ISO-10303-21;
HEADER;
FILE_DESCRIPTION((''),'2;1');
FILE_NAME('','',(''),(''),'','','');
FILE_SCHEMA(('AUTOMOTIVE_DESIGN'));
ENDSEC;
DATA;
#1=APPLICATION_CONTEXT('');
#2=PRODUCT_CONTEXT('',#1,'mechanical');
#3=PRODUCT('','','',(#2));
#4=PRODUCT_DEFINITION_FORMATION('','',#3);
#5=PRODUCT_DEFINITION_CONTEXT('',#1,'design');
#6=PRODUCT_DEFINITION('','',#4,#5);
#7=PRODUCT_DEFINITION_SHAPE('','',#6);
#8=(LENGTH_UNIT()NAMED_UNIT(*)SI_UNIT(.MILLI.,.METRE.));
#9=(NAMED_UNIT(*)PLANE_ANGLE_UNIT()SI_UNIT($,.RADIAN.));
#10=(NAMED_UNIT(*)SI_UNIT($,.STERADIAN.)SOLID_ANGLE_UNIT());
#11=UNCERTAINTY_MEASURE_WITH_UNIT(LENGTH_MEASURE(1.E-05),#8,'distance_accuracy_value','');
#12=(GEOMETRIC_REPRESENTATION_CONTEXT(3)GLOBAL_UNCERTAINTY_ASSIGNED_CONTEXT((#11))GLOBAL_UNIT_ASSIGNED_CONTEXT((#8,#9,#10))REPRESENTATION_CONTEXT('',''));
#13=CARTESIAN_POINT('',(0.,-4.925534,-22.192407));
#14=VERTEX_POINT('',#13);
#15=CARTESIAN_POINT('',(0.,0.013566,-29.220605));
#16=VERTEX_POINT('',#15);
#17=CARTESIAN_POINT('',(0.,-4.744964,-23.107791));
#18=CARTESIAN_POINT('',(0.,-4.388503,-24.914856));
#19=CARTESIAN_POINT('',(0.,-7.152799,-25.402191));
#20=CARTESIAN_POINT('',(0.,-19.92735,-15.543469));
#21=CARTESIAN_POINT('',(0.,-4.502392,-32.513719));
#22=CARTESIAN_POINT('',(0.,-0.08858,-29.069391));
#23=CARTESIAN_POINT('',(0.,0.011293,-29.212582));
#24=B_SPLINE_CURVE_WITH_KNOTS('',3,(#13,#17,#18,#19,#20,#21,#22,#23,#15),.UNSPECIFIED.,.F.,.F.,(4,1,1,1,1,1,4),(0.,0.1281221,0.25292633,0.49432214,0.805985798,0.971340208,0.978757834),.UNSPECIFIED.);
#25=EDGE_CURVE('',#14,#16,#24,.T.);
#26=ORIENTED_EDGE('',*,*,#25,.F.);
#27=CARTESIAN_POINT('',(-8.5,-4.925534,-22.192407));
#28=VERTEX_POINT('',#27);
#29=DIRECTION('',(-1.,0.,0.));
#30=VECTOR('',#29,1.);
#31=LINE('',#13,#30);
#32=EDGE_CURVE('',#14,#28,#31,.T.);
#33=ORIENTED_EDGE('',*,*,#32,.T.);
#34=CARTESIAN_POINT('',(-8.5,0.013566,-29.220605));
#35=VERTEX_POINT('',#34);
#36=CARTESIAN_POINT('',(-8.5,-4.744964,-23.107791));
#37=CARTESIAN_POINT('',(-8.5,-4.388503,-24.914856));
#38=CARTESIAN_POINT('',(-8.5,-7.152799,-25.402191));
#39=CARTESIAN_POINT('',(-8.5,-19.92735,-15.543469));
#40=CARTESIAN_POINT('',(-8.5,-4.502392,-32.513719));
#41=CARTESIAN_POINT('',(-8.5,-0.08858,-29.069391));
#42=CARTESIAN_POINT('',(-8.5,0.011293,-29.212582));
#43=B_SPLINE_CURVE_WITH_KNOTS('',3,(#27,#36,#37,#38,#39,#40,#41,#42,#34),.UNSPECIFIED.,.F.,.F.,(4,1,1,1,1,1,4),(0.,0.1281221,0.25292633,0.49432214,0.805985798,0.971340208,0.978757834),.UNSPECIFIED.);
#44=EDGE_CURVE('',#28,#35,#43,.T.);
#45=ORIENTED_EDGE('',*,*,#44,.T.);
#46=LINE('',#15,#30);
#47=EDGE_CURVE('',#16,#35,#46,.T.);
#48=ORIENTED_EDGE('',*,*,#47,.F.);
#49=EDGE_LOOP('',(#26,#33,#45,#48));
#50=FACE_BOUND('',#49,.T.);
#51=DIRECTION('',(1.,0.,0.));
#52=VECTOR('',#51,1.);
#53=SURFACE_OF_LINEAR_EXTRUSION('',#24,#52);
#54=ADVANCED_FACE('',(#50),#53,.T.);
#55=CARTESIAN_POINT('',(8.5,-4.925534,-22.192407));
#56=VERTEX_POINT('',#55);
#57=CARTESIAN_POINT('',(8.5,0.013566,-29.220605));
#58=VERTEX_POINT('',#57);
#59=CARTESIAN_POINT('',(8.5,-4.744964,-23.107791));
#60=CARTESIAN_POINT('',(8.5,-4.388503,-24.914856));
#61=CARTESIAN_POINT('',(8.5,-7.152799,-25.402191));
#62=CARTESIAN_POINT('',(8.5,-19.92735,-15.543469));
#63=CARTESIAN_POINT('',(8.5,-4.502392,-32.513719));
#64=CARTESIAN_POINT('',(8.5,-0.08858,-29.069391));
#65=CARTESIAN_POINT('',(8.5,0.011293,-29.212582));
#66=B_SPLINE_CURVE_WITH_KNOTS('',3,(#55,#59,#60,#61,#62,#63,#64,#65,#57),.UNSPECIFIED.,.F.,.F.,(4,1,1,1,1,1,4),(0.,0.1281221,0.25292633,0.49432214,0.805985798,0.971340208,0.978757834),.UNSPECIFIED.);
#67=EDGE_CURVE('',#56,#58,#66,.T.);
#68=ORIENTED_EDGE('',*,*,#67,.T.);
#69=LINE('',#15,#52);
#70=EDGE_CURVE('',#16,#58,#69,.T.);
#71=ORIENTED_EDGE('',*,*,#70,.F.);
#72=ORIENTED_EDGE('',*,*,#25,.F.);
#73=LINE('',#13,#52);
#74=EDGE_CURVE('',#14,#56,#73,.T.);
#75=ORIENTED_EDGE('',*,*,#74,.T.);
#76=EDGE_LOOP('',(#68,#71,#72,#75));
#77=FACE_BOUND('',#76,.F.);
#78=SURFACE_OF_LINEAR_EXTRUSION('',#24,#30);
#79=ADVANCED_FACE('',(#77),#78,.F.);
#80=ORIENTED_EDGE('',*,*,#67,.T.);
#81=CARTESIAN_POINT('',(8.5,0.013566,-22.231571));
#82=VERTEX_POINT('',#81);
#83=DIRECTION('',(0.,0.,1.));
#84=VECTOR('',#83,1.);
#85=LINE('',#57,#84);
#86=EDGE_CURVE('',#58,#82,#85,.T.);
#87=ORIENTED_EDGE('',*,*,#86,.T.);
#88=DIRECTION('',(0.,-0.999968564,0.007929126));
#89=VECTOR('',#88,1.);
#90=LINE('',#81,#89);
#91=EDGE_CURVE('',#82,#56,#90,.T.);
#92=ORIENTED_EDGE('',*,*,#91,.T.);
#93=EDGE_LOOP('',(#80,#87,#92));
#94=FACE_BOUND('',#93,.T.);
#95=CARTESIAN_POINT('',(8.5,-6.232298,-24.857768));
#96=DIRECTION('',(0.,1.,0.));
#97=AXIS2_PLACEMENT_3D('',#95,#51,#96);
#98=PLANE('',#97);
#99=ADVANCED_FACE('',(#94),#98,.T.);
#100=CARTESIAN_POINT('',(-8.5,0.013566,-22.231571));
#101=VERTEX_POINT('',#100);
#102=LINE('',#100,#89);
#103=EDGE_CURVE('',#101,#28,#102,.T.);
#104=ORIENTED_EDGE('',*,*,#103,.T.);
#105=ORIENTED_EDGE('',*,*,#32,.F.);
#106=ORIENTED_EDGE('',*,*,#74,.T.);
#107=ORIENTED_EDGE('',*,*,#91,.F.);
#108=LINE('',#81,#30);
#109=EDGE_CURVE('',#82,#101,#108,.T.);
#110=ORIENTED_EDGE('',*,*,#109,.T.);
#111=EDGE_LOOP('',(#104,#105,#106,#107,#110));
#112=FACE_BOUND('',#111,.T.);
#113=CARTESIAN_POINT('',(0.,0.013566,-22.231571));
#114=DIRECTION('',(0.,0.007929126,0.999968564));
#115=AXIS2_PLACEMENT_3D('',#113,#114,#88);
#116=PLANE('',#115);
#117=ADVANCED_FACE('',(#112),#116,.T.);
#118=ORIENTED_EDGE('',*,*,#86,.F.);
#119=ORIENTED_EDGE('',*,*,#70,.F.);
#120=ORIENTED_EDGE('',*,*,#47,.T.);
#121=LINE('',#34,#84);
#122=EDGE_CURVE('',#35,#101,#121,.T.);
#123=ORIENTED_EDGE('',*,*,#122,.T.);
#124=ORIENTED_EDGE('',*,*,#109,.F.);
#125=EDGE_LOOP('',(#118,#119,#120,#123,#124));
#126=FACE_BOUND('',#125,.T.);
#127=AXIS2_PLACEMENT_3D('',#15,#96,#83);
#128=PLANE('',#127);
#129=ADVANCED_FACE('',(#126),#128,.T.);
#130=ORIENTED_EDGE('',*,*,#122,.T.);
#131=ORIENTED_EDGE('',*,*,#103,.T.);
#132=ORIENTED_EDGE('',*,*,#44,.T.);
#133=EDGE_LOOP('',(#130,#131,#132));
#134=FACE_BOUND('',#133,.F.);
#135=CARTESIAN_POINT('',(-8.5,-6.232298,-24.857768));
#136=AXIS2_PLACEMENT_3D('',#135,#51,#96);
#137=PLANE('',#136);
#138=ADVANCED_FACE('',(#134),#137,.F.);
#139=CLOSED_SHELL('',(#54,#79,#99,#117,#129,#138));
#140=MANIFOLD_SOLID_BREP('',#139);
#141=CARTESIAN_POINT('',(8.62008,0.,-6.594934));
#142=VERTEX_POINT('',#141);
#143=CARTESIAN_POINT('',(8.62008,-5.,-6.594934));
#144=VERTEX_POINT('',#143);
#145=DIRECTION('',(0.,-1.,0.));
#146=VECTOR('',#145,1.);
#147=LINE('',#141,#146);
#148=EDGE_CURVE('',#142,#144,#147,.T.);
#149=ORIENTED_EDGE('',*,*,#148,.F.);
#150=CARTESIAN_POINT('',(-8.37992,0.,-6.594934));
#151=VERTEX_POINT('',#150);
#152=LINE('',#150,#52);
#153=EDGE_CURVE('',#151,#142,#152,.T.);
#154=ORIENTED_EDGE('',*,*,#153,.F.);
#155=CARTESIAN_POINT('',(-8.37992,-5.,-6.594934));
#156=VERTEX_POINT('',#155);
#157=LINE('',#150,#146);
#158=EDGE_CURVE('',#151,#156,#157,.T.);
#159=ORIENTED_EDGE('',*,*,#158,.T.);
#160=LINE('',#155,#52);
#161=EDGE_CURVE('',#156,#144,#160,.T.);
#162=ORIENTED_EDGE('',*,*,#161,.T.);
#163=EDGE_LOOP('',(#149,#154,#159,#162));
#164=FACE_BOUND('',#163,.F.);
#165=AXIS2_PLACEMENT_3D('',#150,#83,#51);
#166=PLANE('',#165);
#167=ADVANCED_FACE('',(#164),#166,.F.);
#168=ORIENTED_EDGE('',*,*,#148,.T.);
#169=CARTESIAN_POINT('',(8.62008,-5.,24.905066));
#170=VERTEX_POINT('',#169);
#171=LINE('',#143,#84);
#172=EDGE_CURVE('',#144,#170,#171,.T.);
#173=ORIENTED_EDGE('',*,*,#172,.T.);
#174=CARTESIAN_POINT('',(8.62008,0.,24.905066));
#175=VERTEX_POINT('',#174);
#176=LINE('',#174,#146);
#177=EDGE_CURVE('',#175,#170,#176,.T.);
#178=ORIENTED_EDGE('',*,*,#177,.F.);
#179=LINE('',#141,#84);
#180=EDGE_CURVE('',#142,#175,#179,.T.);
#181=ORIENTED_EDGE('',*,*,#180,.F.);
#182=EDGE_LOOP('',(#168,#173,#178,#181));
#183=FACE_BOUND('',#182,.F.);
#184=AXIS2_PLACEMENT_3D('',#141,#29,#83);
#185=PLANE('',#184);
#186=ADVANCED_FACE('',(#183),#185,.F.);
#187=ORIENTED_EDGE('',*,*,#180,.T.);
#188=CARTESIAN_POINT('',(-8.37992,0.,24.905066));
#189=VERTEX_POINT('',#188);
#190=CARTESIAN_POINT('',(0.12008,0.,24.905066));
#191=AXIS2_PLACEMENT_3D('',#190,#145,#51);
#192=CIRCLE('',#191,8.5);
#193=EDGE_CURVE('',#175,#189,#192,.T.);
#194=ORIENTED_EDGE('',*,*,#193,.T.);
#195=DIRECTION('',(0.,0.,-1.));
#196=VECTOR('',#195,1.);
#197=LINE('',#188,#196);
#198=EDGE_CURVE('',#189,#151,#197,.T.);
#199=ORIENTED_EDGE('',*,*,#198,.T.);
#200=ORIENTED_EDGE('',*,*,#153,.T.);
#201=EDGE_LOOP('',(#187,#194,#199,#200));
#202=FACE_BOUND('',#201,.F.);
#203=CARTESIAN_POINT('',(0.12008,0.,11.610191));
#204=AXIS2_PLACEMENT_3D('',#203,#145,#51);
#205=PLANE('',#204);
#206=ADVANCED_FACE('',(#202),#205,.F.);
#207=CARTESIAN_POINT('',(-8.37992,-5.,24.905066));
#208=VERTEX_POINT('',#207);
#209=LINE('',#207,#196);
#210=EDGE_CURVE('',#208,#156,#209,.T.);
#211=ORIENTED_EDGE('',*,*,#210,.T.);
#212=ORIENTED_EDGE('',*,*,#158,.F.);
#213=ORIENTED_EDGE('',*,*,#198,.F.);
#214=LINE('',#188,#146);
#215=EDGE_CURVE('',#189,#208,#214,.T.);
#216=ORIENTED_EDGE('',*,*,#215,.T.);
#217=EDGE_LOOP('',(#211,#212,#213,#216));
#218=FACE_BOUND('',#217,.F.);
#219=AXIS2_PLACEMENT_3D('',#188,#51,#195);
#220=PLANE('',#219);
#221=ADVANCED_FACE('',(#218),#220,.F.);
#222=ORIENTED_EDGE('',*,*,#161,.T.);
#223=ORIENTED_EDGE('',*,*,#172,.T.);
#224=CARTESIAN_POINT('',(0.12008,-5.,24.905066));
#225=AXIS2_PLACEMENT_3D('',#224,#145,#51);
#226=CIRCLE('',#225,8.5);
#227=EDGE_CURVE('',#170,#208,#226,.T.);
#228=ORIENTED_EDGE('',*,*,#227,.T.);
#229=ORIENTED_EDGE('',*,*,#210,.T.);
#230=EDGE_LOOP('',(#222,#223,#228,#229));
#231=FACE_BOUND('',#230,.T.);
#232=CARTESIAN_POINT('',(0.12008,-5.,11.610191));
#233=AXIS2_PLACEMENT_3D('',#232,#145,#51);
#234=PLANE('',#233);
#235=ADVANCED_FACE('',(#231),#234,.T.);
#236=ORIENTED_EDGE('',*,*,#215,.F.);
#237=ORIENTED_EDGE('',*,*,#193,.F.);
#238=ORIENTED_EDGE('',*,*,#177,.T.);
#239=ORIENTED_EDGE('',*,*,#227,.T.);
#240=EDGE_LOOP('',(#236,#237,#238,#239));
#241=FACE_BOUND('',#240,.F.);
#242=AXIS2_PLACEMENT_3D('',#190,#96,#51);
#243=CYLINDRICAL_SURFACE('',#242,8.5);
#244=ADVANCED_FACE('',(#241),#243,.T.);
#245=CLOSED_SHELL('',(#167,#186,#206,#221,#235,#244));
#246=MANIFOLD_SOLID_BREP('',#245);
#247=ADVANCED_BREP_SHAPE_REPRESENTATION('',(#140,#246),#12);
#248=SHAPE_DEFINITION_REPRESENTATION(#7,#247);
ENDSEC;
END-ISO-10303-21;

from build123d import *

# Parameters (mm, degrees)
F1_DEPTH = 5
F3_DEPTH = 8.5


with BuildPart() as f1:
    # F0 (on Front) → F1 (new body)
    with BuildSketch(Plane.XZ):
        with BuildLine():
            ThreePointArc((8.6200801803, 24.9050657113), (0.1200801803, 33.4050657113), (-8.3799198197, 24.9050657113))
            Line((-8.3799198197, 24.9050657113), (-8.3799198197, -6.5949342887))
            Line((-8.3799198197, -6.5949342887), (8.6200801803, -6.5949342887))
            Line((8.6200801803, -6.5949342887), (8.6200801803, 24.9050657113))
        make_face()
    extrude(amount=F1_DEPTH)


with BuildPart() as f3:
    # F2 (on Right) → F3 (new body, symmetric)
    with BuildSketch(Plane.YZ):
        with BuildLine():
            Line((0.013565836, -22.2315713763), (-4.9255341291, -22.1924073994))
            add(Edge.make_bspline(
                [(-4.9255341291, -22.1924073994), (-4.7449644372, -23.1077914368), (-4.3885025253, -24.914855866), (-7.1527987917, -25.4021910895), (-19.9273497333, -15.5434690169), (-4.5023920771, -32.5137191407), (-0.0885803837, -29.0693910148), (0.0112932377, -29.2125822191), (0.013565836, -29.2206046382)],
                knots=[0, 0, 0, 0, 0.1281220998, 0.2529263302, 0.4943221397, 0.8059857979, 0.971340208, 0.9787578336, 0.9787578336, 0.9787578336, 0.9787578336], degree=3))
            Line((0.013565836, -29.2206046382), (0.013565836, -22.2315713763))
        make_face()
    extrude(amount=F3_DEPTH, both=True)


solid = Compound([f1.part, f3.part])
